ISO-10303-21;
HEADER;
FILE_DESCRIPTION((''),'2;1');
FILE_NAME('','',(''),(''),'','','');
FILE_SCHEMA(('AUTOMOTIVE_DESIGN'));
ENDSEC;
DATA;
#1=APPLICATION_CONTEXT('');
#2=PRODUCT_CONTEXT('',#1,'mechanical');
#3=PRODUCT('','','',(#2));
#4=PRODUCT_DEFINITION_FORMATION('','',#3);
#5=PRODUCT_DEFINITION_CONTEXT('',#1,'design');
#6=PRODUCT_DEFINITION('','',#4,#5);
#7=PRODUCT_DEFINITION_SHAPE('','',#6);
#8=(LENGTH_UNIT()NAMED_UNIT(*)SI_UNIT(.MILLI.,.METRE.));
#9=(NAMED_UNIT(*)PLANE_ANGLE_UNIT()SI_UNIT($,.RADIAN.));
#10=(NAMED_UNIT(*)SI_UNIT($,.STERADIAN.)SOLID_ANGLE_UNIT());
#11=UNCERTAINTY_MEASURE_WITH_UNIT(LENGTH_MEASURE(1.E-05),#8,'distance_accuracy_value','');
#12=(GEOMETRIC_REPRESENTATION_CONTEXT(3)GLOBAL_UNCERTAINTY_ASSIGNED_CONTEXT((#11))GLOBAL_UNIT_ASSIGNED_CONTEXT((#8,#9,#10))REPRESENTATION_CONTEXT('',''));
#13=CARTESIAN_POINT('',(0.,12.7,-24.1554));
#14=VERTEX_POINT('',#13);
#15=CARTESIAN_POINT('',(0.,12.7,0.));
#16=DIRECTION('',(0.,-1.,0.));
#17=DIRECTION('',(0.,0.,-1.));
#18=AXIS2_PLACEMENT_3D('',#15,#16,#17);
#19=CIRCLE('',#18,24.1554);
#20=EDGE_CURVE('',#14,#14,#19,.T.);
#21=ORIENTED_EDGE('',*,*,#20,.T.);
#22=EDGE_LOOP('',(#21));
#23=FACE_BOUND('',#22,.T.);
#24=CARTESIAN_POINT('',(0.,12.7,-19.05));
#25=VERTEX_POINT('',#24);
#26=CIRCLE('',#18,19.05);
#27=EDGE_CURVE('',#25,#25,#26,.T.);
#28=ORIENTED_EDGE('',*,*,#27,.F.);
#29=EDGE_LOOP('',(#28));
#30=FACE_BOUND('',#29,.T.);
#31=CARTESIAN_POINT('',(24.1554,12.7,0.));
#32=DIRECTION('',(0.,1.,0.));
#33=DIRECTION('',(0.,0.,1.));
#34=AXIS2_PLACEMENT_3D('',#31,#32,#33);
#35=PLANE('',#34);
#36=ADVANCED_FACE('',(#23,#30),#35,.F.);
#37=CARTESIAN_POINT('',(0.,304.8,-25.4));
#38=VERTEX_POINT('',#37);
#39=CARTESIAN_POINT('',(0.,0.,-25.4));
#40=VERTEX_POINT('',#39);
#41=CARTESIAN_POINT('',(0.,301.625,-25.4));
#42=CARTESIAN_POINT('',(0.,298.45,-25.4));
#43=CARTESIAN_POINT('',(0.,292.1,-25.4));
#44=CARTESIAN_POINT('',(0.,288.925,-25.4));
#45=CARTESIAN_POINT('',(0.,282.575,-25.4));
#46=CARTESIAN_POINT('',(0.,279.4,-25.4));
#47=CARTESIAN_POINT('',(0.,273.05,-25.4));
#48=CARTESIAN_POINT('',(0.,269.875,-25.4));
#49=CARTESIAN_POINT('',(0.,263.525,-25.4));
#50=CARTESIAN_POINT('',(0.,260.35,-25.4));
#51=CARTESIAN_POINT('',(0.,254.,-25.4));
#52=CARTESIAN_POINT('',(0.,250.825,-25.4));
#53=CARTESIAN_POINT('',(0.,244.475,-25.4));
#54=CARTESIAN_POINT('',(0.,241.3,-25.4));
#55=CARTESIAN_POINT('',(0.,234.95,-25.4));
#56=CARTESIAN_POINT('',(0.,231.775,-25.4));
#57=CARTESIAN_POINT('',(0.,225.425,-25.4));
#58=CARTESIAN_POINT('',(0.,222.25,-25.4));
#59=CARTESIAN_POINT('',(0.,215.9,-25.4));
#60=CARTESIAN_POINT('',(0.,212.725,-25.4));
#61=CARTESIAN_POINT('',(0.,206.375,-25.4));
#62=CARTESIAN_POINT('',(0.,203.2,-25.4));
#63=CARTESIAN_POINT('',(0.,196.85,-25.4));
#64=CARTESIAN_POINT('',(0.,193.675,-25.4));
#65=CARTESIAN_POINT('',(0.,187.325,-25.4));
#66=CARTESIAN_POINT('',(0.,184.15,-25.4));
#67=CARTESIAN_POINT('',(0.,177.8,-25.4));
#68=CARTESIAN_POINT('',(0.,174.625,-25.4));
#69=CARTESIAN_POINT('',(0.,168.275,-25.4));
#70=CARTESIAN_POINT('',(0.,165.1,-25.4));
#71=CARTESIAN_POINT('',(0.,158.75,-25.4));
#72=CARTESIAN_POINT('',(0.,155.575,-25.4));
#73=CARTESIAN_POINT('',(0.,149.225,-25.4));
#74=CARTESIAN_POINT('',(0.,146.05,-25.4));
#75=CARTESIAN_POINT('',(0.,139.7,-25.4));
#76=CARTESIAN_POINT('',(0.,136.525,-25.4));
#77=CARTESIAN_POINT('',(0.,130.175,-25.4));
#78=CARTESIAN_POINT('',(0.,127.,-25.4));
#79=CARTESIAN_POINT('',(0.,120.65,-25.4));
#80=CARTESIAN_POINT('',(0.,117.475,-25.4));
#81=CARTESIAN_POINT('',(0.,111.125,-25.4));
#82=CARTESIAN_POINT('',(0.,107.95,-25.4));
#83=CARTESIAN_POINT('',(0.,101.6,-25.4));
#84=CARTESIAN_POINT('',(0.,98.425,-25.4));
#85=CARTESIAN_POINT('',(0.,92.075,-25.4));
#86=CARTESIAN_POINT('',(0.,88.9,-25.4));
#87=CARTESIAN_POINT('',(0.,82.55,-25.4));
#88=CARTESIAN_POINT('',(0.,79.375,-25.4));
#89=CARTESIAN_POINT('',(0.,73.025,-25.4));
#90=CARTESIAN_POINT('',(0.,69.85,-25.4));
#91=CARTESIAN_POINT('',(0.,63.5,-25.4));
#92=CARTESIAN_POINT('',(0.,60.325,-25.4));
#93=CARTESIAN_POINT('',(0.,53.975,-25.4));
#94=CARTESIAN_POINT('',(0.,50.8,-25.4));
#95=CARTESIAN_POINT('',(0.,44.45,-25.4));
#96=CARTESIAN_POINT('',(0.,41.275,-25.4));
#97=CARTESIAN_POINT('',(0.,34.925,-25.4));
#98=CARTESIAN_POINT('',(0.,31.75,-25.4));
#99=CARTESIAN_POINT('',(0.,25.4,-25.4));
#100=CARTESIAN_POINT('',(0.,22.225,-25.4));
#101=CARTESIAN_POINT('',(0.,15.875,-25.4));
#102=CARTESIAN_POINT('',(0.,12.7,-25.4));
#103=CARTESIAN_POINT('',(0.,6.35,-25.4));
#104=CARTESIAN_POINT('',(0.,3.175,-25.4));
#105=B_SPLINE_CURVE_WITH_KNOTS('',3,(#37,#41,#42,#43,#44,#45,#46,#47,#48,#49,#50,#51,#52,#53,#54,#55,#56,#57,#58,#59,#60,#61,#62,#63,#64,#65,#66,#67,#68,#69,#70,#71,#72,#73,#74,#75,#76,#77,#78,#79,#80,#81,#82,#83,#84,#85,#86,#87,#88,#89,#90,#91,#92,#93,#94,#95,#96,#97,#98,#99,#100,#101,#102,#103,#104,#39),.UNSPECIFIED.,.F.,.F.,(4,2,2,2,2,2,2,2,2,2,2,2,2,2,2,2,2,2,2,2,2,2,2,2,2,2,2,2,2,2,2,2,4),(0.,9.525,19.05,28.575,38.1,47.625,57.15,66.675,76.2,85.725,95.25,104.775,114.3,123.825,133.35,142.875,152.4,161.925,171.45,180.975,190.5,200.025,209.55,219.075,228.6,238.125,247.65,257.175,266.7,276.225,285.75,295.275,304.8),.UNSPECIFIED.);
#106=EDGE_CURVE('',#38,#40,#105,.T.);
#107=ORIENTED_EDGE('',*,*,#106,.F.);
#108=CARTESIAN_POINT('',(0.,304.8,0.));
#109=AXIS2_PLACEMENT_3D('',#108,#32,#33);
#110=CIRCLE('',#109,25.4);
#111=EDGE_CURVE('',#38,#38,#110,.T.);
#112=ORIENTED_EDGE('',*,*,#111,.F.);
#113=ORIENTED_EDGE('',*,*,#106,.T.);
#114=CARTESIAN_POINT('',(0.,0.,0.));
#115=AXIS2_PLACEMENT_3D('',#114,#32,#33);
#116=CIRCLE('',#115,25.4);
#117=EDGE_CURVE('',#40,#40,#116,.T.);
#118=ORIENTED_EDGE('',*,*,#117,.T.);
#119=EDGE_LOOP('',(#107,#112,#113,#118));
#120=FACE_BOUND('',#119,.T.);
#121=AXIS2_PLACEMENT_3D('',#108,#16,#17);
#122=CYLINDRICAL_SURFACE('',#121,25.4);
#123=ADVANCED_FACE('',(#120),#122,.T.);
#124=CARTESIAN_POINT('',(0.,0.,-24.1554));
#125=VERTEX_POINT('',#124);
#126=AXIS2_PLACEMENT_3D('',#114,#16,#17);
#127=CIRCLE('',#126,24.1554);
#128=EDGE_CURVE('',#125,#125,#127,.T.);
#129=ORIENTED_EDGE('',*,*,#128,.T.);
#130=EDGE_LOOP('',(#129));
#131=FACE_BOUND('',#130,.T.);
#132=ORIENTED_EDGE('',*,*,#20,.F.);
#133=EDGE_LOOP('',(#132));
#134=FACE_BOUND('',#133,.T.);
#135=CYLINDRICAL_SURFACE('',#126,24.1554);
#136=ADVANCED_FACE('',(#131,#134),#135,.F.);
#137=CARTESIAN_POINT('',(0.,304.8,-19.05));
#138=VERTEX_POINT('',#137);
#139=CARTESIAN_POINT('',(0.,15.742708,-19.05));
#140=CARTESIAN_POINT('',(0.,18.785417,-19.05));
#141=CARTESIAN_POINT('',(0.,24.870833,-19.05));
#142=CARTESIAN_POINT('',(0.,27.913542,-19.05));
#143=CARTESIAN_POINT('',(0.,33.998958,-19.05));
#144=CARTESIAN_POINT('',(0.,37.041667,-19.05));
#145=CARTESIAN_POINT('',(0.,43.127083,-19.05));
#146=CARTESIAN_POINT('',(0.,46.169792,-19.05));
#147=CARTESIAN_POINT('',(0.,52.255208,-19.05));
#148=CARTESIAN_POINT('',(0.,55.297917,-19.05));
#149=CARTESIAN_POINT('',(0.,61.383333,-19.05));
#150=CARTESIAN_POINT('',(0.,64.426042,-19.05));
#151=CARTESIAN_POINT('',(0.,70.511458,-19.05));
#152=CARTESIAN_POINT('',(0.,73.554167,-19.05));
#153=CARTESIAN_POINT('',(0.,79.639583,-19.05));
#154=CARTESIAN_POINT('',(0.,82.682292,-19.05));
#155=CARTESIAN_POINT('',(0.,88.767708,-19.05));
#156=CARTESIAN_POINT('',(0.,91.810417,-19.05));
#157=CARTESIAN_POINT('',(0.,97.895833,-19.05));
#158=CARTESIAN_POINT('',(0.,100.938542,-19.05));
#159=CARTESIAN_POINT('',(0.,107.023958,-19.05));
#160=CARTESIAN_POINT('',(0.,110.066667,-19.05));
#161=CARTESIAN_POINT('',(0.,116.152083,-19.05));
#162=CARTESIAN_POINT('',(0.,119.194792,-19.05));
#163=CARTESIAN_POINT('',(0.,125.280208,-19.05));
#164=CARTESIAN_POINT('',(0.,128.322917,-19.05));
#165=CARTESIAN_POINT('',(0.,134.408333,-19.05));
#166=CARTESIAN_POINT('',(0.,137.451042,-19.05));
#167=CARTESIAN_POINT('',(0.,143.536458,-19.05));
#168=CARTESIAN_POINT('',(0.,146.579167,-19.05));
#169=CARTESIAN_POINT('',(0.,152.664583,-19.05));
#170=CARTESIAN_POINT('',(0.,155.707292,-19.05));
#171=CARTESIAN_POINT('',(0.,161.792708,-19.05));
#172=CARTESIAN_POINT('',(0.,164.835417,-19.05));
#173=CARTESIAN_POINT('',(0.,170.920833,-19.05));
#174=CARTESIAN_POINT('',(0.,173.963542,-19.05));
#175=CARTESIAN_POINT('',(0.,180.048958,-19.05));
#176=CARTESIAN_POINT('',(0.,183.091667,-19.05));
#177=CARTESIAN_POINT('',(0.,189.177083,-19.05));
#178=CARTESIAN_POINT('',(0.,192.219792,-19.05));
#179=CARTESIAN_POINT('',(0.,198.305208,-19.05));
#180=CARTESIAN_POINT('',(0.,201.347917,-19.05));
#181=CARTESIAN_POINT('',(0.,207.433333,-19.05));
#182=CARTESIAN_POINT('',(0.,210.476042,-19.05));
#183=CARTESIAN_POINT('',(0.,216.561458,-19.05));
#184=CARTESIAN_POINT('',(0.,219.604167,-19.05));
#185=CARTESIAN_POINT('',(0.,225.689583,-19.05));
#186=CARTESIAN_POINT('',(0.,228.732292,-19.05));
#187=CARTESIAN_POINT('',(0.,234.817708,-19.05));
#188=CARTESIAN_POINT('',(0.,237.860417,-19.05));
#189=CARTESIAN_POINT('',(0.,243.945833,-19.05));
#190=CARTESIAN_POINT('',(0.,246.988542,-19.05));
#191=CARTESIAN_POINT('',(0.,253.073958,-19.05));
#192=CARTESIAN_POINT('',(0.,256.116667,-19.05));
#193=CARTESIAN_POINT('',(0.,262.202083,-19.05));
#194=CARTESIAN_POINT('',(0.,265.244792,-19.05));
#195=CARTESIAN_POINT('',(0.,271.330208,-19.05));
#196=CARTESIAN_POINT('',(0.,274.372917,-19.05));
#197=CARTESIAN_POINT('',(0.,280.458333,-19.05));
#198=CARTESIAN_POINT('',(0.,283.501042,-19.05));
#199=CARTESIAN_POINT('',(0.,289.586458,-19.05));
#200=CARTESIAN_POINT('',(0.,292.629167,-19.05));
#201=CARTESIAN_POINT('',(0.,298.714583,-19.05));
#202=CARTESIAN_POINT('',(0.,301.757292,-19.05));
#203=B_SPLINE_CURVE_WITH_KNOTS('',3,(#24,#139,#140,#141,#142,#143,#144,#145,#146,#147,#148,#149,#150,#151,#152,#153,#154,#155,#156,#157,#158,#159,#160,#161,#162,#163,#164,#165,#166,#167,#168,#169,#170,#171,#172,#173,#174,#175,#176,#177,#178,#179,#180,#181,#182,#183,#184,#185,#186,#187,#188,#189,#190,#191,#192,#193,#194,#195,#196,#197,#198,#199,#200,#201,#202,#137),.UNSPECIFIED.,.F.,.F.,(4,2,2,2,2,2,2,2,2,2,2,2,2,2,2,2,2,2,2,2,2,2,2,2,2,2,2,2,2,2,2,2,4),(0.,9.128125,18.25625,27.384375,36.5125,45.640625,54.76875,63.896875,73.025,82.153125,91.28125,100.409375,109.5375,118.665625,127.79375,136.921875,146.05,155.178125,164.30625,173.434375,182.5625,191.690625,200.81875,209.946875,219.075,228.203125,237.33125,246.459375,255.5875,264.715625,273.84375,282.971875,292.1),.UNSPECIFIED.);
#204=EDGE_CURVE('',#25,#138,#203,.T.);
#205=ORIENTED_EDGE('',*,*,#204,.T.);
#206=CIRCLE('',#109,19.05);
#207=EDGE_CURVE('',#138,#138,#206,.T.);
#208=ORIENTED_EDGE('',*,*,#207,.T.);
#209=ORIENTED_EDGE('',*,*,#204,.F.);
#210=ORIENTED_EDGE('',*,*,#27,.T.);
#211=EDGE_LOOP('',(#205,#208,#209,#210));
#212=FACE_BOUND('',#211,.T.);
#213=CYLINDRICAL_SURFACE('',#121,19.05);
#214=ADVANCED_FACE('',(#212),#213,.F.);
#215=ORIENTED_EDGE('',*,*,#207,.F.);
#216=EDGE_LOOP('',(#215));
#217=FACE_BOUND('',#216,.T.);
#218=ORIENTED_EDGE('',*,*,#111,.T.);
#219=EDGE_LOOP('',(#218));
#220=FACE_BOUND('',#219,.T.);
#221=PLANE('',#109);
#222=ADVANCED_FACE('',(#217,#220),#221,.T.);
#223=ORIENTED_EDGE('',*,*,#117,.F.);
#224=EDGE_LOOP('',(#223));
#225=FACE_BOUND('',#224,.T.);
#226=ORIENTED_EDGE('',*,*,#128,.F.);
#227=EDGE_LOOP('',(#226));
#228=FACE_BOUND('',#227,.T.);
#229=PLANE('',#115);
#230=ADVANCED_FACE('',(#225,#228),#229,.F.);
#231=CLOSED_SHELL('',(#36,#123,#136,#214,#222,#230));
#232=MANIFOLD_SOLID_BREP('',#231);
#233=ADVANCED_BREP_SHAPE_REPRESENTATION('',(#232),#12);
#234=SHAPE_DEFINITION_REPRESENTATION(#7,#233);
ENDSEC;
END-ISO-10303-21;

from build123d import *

# Parameters (mm, degrees)
SKETCH1_R           = 25.4
SKETCH1_R_2         = 19.05
BOSS_EXTRUDE1_DEPTH = 304.8
SKETCH3_W           = 5.1054
SKETCH3_H           = 12.7


with BuildPart() as part:
    # Sketch1 → Boss-Extrude1 (new body)
    with BuildSketch(Plane(origin=(0, 0, 0), x_dir=(1, 0, 0), z_dir=(0, 1, 0))):
        with Locations(Location((0, 0, 0), (0, 0, 90))):
            Circle(SKETCH1_R)
        with Locations(Location((0, 0, 0), (0, 0, 90))):
            Circle(SKETCH1_R_2, mode=Mode.SUBTRACT)
    extrude(amount=BOSS_EXTRUDE1_DEPTH)

    # Sketch3 → Cut-Revolve1 (revolve, cut)
    with BuildSketch(Plane.XY, mode=Mode.PRIVATE) as cut_revolve1_sk:
        with Locations((21.6027, 6.35)):
            Rectangle(SKETCH3_W, SKETCH3_H)
    revolve(cut_revolve1_sk.sketch.rotate(Axis((0, 0, 0), (0, 1, 0)), 90), axis=Axis((0, 0, 0), (0, 1, 0)), mode=Mode.SUBTRACT)


solid = part.part
